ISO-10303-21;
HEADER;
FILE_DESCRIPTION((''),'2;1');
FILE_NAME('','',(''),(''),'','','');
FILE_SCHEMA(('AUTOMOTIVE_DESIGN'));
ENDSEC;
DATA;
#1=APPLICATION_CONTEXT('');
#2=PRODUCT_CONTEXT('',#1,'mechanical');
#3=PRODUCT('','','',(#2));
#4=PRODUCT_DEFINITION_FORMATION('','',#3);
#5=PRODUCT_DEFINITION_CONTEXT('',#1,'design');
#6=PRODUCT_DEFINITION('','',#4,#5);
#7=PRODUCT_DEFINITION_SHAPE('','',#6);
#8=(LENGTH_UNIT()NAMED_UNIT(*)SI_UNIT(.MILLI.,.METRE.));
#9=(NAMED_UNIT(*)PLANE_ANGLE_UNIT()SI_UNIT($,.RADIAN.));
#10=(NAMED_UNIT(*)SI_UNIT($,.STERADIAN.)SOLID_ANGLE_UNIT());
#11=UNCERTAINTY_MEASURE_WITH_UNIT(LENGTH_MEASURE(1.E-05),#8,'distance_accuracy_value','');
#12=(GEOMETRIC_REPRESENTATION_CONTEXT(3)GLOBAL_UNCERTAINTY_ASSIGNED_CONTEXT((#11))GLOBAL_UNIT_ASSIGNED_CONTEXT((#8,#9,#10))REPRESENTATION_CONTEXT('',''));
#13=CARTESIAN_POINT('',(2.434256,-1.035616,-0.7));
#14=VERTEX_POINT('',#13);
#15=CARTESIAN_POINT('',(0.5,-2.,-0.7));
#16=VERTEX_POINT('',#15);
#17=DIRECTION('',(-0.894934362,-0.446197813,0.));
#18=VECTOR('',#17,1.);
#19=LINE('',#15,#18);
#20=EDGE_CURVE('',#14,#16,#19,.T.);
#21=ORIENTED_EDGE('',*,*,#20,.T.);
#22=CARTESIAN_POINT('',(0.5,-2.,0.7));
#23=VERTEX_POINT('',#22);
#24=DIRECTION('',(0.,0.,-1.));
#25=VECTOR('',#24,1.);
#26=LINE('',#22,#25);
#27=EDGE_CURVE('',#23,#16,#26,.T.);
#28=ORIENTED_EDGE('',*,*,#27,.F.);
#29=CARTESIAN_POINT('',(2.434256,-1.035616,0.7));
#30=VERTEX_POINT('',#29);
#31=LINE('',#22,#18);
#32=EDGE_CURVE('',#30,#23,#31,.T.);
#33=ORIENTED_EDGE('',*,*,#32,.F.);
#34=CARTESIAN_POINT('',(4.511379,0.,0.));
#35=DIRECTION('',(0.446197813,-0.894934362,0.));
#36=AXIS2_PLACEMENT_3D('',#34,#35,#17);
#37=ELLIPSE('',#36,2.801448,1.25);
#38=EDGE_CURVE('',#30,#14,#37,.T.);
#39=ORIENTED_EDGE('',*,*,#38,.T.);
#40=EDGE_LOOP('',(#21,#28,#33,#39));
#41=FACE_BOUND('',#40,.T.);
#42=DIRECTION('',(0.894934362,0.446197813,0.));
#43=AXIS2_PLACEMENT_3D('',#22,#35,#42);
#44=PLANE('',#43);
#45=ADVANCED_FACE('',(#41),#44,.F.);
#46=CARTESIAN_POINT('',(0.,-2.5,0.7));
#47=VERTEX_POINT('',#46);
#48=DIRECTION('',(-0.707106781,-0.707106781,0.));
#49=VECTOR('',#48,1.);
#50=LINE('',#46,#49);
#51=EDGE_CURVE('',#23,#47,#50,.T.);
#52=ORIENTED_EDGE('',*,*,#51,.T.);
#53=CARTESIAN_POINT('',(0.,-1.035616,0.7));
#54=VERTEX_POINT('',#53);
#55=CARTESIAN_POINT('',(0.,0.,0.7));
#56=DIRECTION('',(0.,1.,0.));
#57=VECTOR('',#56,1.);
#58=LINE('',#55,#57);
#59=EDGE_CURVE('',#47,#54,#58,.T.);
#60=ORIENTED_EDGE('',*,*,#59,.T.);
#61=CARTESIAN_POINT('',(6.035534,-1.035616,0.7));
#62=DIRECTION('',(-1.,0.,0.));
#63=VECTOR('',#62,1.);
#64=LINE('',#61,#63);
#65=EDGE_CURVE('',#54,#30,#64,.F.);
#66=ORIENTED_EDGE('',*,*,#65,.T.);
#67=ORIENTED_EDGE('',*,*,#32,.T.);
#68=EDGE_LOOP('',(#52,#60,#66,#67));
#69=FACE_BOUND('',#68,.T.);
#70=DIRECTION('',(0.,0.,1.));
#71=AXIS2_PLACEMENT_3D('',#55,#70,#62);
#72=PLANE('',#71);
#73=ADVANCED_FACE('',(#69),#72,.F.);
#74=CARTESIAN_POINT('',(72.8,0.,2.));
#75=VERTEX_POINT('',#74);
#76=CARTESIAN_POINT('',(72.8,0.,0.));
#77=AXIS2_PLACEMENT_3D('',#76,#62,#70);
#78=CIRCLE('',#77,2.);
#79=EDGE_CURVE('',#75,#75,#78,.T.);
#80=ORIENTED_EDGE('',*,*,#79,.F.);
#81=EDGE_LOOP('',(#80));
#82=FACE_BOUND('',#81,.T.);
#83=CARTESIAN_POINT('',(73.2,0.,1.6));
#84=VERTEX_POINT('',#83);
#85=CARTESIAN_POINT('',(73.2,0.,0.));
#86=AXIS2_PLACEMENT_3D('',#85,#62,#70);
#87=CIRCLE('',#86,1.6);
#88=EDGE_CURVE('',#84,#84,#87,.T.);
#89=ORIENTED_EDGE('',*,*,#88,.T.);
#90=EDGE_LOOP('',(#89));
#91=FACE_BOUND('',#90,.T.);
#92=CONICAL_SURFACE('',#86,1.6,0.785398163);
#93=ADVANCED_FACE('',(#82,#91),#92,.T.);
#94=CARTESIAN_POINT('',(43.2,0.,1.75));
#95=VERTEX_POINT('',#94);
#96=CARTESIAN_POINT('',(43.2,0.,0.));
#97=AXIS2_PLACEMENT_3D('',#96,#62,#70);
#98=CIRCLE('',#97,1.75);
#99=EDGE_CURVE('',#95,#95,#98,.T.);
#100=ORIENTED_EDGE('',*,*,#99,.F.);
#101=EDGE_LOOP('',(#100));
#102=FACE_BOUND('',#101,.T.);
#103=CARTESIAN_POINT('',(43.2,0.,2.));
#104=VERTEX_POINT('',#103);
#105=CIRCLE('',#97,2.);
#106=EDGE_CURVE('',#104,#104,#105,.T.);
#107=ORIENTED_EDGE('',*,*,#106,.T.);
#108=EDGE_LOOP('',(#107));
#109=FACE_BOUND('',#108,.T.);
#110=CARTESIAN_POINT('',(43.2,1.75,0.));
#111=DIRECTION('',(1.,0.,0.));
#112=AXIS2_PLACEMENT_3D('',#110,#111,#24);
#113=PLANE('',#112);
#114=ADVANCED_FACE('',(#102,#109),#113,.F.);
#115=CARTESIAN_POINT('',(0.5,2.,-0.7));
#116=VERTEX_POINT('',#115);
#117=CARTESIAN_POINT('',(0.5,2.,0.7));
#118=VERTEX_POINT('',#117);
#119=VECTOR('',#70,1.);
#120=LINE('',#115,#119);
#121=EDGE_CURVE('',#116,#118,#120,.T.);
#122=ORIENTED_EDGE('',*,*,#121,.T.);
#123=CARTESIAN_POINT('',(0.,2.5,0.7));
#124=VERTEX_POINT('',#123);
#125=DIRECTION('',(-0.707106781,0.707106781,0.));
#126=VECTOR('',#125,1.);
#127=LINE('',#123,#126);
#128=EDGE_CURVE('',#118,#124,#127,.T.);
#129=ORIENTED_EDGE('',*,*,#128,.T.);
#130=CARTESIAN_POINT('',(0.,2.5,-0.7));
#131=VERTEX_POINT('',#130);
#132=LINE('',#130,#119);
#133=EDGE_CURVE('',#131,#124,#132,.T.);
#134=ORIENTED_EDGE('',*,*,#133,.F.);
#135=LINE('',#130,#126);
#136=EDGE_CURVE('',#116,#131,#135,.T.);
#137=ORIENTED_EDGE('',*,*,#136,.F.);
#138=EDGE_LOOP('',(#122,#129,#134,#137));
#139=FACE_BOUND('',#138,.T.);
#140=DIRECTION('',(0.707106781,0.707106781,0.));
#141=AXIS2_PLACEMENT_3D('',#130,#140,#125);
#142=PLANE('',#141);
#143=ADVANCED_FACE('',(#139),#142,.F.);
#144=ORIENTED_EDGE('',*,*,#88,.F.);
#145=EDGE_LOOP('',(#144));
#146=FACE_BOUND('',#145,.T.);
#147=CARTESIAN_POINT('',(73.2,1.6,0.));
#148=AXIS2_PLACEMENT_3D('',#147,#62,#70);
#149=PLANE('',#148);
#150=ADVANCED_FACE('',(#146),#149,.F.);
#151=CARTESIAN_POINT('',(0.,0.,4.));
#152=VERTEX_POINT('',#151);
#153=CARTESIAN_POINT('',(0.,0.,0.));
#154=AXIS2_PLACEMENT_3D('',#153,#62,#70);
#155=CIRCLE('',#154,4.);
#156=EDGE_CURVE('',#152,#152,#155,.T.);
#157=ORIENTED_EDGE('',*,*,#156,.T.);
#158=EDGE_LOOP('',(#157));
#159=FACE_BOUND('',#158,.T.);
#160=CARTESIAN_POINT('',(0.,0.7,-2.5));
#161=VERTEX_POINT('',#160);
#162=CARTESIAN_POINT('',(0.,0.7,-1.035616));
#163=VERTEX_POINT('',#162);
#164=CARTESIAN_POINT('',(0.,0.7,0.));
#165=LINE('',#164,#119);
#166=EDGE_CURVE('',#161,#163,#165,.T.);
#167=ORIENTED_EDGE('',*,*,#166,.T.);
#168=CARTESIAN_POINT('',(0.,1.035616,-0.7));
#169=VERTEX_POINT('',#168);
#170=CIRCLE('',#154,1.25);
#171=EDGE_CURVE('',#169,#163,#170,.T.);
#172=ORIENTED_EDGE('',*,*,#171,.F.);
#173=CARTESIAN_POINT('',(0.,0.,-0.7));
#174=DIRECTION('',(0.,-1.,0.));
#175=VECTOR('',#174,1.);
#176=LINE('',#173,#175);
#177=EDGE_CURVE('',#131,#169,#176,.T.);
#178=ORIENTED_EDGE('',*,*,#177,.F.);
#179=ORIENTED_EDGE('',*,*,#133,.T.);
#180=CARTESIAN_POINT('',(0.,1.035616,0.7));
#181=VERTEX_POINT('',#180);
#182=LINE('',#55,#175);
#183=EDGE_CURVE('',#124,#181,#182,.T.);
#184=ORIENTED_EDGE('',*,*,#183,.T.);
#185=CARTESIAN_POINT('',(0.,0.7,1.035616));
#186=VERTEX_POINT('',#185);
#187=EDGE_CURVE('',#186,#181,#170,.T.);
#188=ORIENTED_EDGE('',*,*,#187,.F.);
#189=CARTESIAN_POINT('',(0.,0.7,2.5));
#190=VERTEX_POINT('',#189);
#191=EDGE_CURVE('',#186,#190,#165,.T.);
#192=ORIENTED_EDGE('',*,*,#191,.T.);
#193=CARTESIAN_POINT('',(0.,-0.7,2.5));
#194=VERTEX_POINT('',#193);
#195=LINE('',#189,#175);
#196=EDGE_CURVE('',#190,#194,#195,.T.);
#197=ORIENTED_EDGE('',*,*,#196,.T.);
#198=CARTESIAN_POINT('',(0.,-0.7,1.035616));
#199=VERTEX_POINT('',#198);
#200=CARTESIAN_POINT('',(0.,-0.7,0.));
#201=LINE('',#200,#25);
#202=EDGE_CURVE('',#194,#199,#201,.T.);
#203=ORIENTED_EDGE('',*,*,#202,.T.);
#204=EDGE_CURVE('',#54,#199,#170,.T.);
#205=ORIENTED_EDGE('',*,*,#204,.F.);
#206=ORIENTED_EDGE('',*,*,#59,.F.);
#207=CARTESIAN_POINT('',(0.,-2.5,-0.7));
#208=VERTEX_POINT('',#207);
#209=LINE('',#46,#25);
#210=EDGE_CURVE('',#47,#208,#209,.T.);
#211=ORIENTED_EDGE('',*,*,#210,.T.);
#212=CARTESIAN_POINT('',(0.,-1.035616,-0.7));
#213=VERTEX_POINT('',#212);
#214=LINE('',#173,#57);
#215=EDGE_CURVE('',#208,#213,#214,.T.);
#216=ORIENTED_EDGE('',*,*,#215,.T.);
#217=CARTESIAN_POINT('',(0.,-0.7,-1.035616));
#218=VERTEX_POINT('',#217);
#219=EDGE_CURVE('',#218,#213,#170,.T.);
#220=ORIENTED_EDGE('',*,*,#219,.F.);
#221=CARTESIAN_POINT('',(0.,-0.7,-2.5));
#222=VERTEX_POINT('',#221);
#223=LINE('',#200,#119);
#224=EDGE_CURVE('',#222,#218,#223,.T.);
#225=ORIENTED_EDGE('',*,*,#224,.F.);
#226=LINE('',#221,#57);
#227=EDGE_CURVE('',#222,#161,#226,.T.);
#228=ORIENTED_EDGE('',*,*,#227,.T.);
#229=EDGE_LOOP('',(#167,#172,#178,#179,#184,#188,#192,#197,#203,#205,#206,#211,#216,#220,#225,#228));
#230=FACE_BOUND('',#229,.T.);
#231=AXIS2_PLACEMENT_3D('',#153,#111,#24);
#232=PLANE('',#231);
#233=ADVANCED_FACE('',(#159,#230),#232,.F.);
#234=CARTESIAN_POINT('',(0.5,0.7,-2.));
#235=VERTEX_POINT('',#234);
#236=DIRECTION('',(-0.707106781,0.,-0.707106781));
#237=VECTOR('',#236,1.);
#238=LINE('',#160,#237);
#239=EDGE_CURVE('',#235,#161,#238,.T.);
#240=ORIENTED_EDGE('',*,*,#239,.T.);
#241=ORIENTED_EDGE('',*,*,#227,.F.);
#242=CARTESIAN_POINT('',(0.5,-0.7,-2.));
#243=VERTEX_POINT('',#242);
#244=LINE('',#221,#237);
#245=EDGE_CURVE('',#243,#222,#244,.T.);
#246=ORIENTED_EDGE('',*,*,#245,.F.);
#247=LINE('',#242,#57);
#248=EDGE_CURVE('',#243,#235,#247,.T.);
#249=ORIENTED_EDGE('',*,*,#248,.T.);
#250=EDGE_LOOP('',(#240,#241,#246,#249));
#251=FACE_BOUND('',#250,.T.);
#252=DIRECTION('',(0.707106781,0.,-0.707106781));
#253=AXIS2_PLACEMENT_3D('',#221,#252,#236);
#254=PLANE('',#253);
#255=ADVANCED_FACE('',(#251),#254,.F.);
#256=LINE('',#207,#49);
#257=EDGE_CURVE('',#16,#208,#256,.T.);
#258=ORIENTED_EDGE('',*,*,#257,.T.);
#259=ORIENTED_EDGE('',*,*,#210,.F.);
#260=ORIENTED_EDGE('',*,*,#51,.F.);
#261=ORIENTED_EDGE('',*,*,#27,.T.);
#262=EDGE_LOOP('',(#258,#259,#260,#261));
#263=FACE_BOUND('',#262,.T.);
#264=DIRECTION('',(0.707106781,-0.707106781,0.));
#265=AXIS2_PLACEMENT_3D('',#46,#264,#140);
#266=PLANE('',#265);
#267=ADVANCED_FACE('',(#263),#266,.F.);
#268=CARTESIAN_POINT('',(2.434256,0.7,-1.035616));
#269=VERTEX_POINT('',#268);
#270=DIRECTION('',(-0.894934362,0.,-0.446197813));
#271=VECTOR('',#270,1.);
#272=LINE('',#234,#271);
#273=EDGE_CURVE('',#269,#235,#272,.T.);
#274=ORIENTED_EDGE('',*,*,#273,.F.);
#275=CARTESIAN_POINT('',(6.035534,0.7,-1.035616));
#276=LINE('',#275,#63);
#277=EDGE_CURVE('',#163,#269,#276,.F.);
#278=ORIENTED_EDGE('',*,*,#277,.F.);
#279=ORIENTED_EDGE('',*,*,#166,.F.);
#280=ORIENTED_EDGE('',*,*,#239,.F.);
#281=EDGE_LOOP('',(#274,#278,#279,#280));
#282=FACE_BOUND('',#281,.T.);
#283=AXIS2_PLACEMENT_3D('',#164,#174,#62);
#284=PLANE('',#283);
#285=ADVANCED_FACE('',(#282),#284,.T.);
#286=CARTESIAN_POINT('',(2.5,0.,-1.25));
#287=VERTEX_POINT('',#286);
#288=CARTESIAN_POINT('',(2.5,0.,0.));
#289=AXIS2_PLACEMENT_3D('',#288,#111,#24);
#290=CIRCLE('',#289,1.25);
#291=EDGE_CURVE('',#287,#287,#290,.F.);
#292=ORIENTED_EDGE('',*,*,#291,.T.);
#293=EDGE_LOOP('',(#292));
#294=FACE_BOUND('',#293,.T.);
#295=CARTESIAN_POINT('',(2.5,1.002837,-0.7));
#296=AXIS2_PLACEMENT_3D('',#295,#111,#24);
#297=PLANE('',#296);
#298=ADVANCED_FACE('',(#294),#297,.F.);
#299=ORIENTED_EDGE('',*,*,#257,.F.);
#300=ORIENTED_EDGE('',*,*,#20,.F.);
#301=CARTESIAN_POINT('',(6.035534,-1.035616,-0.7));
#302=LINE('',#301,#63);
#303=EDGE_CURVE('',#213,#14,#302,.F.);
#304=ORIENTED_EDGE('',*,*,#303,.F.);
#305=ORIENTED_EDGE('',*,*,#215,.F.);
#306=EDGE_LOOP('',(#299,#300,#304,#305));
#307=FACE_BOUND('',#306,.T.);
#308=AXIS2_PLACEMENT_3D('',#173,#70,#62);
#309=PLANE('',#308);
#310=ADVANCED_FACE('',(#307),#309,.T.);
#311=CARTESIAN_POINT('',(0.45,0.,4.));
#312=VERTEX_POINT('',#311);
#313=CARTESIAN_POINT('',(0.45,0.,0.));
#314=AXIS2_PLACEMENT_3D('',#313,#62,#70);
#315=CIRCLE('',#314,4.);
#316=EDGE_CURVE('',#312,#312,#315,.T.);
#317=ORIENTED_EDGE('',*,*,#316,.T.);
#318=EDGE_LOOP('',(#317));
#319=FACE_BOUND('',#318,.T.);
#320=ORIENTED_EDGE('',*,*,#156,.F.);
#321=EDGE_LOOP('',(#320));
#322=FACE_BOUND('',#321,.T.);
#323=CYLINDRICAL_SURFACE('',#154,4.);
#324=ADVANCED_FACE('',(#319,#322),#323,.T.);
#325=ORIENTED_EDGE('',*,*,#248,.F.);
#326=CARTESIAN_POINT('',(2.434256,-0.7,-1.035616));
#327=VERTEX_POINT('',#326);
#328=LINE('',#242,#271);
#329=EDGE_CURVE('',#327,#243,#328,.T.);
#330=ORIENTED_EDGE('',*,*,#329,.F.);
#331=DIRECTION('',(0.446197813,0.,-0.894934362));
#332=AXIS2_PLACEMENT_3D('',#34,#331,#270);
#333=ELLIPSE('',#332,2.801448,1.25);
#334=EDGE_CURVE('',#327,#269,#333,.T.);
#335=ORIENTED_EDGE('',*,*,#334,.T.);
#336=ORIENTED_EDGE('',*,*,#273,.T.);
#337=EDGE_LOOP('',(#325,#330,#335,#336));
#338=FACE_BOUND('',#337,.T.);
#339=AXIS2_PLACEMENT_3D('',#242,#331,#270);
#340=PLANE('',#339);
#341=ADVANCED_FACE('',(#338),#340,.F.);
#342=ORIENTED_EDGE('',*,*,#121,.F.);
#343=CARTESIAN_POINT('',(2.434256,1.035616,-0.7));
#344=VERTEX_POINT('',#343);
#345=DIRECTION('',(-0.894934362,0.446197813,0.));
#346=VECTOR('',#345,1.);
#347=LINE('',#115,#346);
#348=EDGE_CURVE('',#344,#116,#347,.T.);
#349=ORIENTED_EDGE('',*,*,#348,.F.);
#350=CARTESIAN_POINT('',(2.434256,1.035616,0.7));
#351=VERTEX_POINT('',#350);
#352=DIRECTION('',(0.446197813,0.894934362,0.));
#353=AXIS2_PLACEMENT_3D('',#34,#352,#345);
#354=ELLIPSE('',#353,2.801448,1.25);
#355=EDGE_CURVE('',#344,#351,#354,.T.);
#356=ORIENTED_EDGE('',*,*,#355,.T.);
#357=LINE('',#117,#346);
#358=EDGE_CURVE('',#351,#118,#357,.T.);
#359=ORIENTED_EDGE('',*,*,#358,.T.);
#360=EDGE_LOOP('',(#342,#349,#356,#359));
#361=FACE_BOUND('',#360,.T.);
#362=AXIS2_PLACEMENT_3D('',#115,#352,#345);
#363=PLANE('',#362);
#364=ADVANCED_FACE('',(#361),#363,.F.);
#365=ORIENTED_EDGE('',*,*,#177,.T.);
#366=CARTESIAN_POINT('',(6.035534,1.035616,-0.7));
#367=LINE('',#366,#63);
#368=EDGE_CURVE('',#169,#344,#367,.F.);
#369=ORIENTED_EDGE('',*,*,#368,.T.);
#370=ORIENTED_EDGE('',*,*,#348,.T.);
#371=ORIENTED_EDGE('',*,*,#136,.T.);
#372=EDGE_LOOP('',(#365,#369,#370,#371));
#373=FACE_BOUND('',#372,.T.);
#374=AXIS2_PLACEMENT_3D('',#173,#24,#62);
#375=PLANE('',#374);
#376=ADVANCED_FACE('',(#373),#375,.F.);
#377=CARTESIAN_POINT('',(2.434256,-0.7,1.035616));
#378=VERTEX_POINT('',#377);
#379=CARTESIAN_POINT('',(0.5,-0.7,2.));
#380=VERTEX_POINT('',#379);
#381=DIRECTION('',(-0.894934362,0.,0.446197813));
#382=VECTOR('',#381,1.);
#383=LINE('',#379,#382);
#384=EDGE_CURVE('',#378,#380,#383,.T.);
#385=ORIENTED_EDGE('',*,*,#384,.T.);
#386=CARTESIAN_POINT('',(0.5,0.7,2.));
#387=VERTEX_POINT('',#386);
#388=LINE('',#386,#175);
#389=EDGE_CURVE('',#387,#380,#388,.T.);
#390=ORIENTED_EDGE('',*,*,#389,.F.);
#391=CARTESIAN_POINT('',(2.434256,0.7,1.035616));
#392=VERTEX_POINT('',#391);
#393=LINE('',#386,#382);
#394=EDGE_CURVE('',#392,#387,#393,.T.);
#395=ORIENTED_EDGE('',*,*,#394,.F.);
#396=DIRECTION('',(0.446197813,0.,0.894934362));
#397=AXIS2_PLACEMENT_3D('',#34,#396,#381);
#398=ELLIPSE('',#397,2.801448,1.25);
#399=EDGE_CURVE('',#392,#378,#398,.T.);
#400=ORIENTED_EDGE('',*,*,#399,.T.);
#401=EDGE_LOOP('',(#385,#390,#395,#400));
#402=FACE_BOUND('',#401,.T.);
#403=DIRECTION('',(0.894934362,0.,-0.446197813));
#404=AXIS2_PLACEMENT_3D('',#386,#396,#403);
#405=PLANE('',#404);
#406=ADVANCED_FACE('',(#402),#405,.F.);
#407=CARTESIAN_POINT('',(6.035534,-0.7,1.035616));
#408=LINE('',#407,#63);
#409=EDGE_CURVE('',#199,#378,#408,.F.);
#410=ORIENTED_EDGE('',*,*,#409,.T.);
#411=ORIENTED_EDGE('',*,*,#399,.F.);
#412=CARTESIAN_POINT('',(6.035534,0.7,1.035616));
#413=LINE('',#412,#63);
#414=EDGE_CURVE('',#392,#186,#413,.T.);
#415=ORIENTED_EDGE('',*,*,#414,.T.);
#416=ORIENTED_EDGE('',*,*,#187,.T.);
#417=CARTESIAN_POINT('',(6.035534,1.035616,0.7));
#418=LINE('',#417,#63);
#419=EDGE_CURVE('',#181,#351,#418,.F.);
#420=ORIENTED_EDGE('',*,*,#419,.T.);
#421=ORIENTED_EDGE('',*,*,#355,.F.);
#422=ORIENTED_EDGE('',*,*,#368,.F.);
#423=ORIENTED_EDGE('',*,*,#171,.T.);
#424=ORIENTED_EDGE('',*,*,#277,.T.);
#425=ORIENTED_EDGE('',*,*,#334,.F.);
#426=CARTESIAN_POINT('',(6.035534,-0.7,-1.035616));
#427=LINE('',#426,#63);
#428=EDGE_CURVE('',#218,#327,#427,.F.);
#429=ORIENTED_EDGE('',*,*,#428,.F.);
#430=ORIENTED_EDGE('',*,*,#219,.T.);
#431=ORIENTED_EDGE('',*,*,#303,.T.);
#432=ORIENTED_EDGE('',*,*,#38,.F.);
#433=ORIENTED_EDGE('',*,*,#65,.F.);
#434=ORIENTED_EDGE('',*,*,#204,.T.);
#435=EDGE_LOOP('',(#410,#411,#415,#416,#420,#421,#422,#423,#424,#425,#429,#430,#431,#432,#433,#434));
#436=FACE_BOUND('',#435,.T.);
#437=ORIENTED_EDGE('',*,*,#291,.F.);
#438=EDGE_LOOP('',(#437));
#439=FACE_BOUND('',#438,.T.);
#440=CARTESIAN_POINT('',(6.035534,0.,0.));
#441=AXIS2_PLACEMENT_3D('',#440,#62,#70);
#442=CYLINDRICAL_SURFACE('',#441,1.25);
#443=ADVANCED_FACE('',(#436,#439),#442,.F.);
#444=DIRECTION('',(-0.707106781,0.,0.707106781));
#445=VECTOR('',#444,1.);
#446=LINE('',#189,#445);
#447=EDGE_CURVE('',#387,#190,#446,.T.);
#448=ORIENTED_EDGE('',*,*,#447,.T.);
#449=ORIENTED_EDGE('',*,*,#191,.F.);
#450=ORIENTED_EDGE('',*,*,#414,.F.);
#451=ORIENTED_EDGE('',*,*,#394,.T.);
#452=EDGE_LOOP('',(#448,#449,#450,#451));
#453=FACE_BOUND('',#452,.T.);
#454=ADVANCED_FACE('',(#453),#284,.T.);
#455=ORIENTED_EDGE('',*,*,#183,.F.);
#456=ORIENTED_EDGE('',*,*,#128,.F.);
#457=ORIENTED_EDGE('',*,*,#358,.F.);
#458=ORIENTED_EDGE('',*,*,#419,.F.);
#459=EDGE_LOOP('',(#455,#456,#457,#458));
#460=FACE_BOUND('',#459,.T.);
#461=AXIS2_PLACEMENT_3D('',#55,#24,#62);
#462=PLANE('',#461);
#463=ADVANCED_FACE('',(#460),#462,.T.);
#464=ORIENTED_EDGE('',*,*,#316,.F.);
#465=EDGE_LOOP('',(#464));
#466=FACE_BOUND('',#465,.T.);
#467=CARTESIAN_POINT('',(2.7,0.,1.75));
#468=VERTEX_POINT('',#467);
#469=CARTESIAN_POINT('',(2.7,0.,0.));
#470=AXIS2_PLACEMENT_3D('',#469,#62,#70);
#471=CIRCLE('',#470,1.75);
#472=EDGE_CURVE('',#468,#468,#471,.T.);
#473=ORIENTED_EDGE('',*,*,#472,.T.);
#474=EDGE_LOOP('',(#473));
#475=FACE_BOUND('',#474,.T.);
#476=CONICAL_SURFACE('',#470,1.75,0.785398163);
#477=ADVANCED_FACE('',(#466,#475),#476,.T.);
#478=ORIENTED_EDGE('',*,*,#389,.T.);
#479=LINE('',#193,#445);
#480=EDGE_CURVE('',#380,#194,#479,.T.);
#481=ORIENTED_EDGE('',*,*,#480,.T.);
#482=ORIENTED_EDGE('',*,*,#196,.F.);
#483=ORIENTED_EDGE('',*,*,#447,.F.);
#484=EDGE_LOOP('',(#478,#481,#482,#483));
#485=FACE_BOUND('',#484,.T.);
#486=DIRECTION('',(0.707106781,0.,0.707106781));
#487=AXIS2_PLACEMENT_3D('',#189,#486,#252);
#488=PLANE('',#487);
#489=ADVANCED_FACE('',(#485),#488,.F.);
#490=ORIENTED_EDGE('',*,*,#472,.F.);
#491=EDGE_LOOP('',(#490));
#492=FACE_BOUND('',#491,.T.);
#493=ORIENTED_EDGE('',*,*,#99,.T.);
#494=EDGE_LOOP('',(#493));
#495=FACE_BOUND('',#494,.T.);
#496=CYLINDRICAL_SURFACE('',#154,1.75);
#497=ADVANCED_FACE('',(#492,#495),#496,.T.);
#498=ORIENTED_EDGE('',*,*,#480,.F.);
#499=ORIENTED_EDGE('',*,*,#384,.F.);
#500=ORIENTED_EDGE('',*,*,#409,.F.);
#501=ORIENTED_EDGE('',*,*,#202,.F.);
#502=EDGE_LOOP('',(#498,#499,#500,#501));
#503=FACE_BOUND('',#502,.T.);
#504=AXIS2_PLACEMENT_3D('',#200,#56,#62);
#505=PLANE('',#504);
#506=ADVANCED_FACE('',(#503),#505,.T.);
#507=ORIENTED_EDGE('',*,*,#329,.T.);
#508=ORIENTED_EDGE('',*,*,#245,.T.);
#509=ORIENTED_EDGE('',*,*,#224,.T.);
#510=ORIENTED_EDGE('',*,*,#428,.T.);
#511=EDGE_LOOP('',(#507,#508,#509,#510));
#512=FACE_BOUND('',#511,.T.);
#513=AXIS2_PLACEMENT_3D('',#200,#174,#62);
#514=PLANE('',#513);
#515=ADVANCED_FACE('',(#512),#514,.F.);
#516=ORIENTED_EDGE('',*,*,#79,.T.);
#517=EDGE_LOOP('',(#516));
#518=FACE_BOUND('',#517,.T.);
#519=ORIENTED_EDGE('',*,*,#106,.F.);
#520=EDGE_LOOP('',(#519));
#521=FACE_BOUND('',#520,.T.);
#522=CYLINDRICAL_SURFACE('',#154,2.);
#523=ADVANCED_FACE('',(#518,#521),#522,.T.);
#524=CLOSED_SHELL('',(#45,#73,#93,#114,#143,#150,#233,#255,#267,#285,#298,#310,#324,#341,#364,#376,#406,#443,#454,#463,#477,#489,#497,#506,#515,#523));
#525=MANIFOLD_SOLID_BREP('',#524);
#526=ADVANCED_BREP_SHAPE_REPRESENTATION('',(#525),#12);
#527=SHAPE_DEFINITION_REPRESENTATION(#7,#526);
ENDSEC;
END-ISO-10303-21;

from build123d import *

# Parameters (mm, degrees)
ENL_V_MAT_EXTRU_1_DEPTH      = 0.7
R_P_TITION_CIRCULAIRE1_COUNT = 4
ENL_V_MAT_EXTRU_2_REACH      = 75.418
ESQUISSE3_R                  = 1.25


with BuildPart() as part:
    # Esquisse1 → Révolution1 (revolve)
    with BuildSketch(Plane.XY, mode=Mode.PRIVATE) as r_volution1_sk:
        Polygon((0, 0), (0, 4), (0.45, 4), (2.7, 1.75), (43.2, 1.75), (43.2, 2), (72.8, 2), (73.2, 1.6), (73.2, 0), align=None)
    revolve(r_volution1_sk.sketch.rotate(Axis((0, 0, 0), (1, 0, 0)), 90), axis=Axis((0, 0, 0), (1, 0, 0)))

    # Esquisse2 → Enlèv. mat.-Extru.1 (cut, symmetric)
    with BuildSketch(Plane.XY):
        Polygon((0, 0), (0, 2.5), (0.5, 2), (2.5, 1.002836784), (2.5, 0), align=None)
    enl_v_mat_extru_1 = extrude(amount=ENL_V_MAT_EXTRU_1_DEPTH, both=True, mode=Mode.SUBTRACT)

    # Répétition circulaire1: Enlèv. mat.-Extru.1 ×4 about axis
    r_p_tition_circulaire1_axis = Axis((0, 0, 0), (1, 0, 0))
    for i in range(1, R_P_TITION_CIRCULAIRE1_COUNT):
        add(enl_v_mat_extru_1.rotate(r_p_tition_circulaire1_axis, i * 360 / R_P_TITION_CIRCULAIRE1_COUNT), mode=Mode.SUBTRACT)

    # Enlèv. mat.-Extru.2: up to this face of the body (flat: up to its plane)
    enl_v_mat_extru_2_end = Plane(part.part.faces().sort_by_distance((2.5, 0, 0))[0])
    # Esquisse3 → Enlèv. mat.-Extru.2 (cut, up to the picked face)
    with BuildSketch(Plane.ZY, mode=Mode.PRIVATE) as enl_v_mat_extru_2_sk1:
        with Locations(Location((0, 0, 0), (0, 0, 325.944202257))):
            Circle(ESQUISSE3_R)
    enl_v_mat_extru_2_tool1 = split(extrude(enl_v_mat_extru_2_sk1.sketch, amount=-ENL_V_MAT_EXTRU_2_REACH, mode=Mode.PRIVATE), bisect_by=enl_v_mat_extru_2_end, keep=Keep.BOTH, mode=Mode.PRIVATE)
    add(enl_v_mat_extru_2_tool1.solids().sort_by(Axis((0, 0, 0), (1, 0, 0)))[0], mode=Mode.SUBTRACT)


solid = part.part
